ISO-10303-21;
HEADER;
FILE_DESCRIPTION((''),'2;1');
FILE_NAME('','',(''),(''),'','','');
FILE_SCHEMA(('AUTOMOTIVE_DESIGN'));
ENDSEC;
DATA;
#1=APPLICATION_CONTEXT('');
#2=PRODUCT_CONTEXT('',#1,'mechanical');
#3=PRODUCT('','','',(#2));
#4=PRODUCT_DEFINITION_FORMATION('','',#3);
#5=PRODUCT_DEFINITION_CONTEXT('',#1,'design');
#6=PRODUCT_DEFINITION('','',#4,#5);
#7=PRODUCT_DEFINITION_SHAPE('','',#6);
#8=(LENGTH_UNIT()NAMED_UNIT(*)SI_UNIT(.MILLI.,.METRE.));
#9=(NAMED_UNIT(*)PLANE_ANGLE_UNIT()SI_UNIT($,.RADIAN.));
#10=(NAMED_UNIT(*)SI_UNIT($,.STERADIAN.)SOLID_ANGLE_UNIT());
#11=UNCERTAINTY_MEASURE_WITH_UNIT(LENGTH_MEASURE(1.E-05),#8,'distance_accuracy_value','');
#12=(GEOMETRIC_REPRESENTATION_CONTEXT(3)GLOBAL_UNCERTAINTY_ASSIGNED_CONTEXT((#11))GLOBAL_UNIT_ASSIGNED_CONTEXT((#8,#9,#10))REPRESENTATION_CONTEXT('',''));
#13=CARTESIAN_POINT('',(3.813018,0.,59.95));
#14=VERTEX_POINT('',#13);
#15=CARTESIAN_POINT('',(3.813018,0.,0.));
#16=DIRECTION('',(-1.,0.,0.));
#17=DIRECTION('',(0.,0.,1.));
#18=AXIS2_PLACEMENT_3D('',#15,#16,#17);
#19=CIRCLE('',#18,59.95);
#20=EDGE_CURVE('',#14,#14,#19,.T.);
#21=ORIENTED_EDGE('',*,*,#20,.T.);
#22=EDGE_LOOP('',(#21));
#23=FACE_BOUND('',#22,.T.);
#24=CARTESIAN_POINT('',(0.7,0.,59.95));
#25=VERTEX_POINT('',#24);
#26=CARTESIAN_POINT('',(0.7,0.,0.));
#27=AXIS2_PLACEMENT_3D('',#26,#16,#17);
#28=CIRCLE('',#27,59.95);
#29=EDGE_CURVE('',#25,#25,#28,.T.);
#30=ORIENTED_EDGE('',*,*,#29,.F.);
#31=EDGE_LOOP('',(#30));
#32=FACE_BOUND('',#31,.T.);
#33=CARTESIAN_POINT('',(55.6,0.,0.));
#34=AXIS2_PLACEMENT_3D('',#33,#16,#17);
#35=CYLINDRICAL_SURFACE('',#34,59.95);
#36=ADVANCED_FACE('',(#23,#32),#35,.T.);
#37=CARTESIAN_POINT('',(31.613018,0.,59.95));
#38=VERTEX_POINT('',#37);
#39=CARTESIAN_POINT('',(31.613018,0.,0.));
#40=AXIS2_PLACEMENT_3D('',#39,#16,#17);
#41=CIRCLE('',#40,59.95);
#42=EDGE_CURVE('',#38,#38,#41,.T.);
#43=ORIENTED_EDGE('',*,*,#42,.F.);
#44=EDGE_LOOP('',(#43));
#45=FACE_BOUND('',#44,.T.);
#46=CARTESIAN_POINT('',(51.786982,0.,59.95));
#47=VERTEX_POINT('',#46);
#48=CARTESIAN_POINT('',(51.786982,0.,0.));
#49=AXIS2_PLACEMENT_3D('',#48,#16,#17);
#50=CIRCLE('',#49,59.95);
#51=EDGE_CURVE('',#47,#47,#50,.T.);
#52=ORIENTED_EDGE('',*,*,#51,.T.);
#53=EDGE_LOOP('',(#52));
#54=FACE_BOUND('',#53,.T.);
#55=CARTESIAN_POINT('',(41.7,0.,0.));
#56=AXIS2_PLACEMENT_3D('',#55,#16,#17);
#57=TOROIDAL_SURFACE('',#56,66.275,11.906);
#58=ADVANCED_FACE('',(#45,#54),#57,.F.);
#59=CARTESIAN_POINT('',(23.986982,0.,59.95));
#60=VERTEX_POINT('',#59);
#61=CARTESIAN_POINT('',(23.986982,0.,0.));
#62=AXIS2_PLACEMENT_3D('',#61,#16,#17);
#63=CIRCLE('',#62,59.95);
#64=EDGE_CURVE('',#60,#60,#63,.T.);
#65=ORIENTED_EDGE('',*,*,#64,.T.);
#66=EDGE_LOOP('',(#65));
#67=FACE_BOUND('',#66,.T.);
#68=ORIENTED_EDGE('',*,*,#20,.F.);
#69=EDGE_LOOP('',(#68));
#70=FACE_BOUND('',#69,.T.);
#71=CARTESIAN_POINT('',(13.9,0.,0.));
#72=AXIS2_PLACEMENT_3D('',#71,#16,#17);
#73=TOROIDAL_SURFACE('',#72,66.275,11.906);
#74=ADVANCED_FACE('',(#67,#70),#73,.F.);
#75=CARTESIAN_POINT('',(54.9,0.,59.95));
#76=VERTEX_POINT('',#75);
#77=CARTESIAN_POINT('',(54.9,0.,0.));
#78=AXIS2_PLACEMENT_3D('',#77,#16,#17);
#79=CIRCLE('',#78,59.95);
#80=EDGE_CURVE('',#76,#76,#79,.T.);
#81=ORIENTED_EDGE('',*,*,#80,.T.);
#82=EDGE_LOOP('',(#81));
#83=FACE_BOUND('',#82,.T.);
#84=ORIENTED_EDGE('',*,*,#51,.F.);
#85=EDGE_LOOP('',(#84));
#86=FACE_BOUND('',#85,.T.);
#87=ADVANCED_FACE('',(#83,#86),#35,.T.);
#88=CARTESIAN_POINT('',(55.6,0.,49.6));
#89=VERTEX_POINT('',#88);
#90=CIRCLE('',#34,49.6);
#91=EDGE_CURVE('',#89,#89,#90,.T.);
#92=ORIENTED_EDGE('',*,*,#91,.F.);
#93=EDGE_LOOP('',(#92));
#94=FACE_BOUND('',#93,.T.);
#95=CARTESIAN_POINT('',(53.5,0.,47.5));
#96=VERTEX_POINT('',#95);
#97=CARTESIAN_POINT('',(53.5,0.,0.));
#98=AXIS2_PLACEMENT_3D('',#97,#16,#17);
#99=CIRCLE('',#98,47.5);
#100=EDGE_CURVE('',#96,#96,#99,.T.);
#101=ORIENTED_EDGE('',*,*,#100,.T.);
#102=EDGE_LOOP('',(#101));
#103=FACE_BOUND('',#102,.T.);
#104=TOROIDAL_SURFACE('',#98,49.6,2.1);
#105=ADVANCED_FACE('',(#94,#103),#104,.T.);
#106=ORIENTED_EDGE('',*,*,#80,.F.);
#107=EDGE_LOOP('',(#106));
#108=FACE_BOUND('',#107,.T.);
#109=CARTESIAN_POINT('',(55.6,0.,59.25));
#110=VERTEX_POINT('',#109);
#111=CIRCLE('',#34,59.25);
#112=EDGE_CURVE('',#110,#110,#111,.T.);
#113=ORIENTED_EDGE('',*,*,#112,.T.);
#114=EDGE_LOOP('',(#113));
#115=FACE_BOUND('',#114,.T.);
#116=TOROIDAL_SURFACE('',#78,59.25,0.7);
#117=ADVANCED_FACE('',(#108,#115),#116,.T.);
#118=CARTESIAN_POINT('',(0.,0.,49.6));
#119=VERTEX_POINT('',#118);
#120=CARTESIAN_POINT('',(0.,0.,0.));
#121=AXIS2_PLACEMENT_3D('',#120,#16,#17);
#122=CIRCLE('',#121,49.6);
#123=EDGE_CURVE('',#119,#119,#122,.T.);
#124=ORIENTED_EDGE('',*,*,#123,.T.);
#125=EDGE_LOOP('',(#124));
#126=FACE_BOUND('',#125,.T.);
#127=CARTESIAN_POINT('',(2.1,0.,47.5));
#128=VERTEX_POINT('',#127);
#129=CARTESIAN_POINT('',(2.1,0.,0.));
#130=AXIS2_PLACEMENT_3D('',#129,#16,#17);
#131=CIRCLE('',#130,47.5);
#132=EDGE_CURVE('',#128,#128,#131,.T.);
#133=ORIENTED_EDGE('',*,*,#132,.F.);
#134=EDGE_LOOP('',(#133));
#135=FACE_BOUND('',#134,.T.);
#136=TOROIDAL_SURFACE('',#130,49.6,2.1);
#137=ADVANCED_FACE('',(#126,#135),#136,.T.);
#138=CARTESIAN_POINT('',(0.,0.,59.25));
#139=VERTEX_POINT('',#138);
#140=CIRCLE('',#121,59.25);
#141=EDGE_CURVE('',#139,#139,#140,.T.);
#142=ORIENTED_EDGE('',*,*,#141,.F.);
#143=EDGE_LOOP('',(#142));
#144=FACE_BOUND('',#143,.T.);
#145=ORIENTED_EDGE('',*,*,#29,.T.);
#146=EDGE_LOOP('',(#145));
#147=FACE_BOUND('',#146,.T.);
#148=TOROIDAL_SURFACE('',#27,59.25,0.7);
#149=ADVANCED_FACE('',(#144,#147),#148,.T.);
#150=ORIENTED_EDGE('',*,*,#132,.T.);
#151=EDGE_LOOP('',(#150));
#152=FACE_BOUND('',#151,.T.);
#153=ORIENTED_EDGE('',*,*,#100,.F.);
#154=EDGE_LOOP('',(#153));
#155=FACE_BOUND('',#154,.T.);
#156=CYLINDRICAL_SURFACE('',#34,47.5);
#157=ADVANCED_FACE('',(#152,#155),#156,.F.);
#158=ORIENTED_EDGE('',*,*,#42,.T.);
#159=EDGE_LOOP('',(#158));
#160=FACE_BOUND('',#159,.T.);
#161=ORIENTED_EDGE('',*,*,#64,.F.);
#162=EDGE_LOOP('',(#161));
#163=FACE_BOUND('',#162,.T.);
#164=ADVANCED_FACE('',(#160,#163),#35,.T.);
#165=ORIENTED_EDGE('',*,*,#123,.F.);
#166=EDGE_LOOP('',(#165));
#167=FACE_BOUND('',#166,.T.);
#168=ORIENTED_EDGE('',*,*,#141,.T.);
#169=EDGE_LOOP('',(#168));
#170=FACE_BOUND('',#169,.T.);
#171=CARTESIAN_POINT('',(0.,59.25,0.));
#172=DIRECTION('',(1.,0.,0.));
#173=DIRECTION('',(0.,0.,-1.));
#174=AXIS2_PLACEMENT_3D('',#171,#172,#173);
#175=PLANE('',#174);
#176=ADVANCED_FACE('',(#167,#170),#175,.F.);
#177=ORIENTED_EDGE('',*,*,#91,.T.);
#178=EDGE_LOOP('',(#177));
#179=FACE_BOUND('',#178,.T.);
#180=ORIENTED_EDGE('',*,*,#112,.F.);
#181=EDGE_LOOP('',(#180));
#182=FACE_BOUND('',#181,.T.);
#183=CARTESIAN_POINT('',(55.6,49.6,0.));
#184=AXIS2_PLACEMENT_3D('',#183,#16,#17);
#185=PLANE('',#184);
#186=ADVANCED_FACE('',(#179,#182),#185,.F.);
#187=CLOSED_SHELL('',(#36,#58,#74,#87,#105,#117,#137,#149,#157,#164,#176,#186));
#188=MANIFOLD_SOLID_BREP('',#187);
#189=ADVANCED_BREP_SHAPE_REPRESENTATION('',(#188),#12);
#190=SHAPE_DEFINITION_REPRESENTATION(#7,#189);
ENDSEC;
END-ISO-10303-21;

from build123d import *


with BuildPart() as part:
    # Schizzo1 → Rivoluzione1 (revolve)
    with BuildSketch(Plane.XY, mode=Mode.PRIVATE) as rivoluzione1_sk:
        with BuildLine():
            Line((2.1, 47.5), (53.5, 47.5))
            ThreePointArc((53.5, 47.5), (54.98492424, 48.11507576), (55.6, 49.6))
            Line((55.6, 49.6), (55.6, 59.25))
            ThreePointArc((55.6, 59.25), (55.394974747, 59.744974747), (54.9, 59.95))
            Line((54.9, 59.95), (51.786982254, 59.95))
            ThreePointArc((51.786982254, 59.95), (41.7, 54.369), (31.613017746, 59.95))
            Line((31.613017746, 59.95), (23.986982254, 59.95))
            ThreePointArc((23.986982254, 59.95), (13.9, 54.369), (3.813017746, 59.95))
            Line((3.813017746, 59.95), (0.7, 59.95))
            ThreePointArc((0.7, 59.95), (0.205025253, 59.744974747), (0, 59.25))
            Line((0, 59.25), (0, 49.6))
            ThreePointArc((0, 49.6), (0.61507576, 48.11507576), (2.1, 47.5))
        make_face()
    revolve(rivoluzione1_sk.sketch.rotate(Axis((55.6, 0, 0), (-1, 0, 0)), 270), axis=Axis((55.6, 0, 0), (-1, 0, 0)))


solid = part.part
